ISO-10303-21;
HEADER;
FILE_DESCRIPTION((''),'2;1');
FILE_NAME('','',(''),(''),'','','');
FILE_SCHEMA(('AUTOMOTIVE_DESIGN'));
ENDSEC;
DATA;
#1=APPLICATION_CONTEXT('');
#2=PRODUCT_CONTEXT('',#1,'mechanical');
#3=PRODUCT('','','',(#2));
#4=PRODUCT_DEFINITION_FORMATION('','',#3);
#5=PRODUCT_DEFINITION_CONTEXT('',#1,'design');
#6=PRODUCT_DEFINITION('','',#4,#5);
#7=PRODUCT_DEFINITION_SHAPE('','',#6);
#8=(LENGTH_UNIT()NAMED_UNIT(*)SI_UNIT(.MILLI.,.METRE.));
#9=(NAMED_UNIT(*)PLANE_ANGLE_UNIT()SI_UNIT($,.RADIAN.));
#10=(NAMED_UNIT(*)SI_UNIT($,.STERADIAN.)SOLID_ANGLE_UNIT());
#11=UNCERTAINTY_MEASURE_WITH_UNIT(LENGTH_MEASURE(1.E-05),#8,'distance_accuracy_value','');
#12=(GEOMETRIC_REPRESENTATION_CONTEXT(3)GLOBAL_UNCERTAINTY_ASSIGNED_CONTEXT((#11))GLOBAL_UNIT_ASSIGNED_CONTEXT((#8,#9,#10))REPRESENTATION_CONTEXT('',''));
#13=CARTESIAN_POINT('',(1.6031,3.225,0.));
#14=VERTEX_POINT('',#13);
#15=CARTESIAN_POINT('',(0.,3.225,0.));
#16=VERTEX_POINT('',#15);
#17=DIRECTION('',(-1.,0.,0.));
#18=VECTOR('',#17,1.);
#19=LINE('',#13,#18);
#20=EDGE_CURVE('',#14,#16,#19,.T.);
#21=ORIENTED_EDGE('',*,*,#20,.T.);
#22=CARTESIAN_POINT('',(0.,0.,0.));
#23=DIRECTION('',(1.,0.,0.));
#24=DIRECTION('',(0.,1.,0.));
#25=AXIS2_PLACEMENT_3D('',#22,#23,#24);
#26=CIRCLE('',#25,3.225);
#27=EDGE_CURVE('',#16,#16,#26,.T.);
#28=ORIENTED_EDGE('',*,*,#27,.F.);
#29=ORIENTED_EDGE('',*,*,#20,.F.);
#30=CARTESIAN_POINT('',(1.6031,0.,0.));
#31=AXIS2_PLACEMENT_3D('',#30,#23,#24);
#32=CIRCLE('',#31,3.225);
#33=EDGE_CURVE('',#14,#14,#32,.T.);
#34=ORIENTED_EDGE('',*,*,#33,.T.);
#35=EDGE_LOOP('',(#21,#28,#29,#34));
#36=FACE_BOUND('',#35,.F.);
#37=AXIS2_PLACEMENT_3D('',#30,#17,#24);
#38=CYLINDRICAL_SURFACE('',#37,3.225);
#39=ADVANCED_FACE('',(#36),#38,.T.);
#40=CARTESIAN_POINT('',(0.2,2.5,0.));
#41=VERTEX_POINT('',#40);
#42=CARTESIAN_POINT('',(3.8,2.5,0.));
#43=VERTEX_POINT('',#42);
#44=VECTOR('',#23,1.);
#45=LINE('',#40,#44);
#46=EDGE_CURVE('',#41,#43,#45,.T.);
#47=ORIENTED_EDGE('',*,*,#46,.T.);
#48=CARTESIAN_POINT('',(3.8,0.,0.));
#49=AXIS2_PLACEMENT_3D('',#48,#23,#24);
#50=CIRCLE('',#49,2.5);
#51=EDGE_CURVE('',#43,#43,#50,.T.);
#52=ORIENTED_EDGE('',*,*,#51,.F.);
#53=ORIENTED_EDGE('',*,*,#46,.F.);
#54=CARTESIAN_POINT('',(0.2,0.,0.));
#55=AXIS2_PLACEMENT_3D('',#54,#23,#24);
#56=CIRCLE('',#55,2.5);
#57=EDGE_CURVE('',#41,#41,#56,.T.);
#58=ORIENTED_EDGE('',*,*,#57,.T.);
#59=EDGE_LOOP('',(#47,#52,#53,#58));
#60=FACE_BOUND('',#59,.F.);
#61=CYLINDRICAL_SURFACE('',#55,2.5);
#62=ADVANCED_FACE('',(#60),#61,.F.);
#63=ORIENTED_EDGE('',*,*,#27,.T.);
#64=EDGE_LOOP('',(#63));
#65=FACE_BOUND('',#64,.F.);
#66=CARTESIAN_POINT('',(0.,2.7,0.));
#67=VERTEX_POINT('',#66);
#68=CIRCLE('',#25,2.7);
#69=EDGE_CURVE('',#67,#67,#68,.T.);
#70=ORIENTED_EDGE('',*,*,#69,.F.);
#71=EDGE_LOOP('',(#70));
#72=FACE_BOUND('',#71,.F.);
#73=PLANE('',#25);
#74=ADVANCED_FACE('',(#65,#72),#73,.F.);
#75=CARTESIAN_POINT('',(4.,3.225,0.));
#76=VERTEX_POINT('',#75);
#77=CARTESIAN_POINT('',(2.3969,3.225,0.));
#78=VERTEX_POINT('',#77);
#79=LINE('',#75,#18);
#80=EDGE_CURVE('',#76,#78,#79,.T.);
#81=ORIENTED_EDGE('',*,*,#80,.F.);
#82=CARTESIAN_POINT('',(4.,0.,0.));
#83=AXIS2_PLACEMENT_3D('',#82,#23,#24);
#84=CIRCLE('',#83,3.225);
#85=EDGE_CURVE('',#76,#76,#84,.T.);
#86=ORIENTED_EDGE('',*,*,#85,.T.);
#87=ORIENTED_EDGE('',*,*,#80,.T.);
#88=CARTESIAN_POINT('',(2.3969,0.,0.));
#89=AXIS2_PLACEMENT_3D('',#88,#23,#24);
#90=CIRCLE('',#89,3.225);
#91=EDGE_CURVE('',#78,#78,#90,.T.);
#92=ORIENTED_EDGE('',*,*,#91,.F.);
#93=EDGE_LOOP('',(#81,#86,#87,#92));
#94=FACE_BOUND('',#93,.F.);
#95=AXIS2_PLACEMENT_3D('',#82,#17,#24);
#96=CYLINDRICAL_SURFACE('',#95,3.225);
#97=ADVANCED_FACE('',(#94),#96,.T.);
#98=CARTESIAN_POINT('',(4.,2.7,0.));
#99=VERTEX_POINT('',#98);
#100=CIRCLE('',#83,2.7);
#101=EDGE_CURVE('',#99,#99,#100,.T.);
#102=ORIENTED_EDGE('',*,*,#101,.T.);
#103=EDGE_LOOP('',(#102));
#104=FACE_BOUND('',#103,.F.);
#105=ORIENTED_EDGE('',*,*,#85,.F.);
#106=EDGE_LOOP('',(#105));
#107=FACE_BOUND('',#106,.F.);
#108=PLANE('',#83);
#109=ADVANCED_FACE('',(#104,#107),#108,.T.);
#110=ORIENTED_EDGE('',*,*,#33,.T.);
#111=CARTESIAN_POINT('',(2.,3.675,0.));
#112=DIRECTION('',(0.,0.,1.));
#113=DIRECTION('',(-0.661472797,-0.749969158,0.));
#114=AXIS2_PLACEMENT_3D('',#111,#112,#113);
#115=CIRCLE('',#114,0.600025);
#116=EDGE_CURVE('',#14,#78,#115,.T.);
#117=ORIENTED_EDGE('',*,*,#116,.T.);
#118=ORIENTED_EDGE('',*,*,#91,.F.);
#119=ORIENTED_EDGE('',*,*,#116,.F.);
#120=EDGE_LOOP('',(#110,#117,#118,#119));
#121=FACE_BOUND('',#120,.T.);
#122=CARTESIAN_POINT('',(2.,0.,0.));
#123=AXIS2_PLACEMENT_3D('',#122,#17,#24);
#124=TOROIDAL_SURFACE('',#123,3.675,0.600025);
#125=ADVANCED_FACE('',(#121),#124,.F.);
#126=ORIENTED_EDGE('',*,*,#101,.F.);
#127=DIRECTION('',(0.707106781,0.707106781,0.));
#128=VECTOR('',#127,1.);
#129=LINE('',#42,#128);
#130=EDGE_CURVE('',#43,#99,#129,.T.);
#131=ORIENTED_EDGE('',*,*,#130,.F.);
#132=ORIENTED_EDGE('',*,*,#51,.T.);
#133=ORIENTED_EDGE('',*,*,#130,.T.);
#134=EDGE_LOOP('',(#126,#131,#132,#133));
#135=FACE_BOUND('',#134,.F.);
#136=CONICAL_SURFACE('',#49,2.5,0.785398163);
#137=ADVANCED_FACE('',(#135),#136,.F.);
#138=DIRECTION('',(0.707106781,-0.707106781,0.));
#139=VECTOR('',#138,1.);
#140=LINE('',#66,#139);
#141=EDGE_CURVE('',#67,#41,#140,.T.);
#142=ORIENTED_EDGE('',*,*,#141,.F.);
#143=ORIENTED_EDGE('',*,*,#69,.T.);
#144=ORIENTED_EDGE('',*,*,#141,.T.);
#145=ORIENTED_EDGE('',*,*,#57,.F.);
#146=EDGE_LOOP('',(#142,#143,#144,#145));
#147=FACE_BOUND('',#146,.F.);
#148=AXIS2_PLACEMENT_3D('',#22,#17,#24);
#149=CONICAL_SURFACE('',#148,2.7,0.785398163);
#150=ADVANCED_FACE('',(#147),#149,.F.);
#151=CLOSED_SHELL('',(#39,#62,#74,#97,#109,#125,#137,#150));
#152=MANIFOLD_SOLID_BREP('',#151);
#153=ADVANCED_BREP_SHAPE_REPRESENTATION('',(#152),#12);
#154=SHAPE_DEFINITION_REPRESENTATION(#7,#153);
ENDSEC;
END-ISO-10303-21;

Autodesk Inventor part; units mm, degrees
sketch "Sketch_2" plane through (0, 0, 0) normal (0, 0, 1) x (1, 0, 0)
  line L0 (4, 0) -> (0, 0)
  line L1 (0, 3.225) -> (0, 2.7)
  line L2 (0, 2.7) -> (0.2, 2.5)
  line L3 (0.2, 2.5) -> (3.8, 2.5)
  line L4 (3.8, 2.5) -> (4, 2.7)
  line L5 (4, 2.7) -> (4, 3.225)
  line L6 (4, 3.225) -> (2.3969, 3.225)
  arc A0 (1.6031, 3.225) -> (2.3969, 3.225) centre (2, 3.675) ccw
  line L7 (1.6031, 3.225) -> (0, 3.225)
revolve "Revolution1" add sketch "Sketch_2" angle 360 about axis through (4, 0, 0) along (1, 0, 0)
ref_plane "center_or_XY" through (0, 0, 0) normal (1, 0, 0) x (0, 0, -1)
ref_plane "center_or_YZ" through (0, 0, 0) normal (0, 0, -1) x (0, 1, 0)
ref_plane "center_or_ZX" through (0, 0, 0) normal (0, 1, 0) x (1, 0, 0)
properties part number "WML5010ZZ Inner ring"
